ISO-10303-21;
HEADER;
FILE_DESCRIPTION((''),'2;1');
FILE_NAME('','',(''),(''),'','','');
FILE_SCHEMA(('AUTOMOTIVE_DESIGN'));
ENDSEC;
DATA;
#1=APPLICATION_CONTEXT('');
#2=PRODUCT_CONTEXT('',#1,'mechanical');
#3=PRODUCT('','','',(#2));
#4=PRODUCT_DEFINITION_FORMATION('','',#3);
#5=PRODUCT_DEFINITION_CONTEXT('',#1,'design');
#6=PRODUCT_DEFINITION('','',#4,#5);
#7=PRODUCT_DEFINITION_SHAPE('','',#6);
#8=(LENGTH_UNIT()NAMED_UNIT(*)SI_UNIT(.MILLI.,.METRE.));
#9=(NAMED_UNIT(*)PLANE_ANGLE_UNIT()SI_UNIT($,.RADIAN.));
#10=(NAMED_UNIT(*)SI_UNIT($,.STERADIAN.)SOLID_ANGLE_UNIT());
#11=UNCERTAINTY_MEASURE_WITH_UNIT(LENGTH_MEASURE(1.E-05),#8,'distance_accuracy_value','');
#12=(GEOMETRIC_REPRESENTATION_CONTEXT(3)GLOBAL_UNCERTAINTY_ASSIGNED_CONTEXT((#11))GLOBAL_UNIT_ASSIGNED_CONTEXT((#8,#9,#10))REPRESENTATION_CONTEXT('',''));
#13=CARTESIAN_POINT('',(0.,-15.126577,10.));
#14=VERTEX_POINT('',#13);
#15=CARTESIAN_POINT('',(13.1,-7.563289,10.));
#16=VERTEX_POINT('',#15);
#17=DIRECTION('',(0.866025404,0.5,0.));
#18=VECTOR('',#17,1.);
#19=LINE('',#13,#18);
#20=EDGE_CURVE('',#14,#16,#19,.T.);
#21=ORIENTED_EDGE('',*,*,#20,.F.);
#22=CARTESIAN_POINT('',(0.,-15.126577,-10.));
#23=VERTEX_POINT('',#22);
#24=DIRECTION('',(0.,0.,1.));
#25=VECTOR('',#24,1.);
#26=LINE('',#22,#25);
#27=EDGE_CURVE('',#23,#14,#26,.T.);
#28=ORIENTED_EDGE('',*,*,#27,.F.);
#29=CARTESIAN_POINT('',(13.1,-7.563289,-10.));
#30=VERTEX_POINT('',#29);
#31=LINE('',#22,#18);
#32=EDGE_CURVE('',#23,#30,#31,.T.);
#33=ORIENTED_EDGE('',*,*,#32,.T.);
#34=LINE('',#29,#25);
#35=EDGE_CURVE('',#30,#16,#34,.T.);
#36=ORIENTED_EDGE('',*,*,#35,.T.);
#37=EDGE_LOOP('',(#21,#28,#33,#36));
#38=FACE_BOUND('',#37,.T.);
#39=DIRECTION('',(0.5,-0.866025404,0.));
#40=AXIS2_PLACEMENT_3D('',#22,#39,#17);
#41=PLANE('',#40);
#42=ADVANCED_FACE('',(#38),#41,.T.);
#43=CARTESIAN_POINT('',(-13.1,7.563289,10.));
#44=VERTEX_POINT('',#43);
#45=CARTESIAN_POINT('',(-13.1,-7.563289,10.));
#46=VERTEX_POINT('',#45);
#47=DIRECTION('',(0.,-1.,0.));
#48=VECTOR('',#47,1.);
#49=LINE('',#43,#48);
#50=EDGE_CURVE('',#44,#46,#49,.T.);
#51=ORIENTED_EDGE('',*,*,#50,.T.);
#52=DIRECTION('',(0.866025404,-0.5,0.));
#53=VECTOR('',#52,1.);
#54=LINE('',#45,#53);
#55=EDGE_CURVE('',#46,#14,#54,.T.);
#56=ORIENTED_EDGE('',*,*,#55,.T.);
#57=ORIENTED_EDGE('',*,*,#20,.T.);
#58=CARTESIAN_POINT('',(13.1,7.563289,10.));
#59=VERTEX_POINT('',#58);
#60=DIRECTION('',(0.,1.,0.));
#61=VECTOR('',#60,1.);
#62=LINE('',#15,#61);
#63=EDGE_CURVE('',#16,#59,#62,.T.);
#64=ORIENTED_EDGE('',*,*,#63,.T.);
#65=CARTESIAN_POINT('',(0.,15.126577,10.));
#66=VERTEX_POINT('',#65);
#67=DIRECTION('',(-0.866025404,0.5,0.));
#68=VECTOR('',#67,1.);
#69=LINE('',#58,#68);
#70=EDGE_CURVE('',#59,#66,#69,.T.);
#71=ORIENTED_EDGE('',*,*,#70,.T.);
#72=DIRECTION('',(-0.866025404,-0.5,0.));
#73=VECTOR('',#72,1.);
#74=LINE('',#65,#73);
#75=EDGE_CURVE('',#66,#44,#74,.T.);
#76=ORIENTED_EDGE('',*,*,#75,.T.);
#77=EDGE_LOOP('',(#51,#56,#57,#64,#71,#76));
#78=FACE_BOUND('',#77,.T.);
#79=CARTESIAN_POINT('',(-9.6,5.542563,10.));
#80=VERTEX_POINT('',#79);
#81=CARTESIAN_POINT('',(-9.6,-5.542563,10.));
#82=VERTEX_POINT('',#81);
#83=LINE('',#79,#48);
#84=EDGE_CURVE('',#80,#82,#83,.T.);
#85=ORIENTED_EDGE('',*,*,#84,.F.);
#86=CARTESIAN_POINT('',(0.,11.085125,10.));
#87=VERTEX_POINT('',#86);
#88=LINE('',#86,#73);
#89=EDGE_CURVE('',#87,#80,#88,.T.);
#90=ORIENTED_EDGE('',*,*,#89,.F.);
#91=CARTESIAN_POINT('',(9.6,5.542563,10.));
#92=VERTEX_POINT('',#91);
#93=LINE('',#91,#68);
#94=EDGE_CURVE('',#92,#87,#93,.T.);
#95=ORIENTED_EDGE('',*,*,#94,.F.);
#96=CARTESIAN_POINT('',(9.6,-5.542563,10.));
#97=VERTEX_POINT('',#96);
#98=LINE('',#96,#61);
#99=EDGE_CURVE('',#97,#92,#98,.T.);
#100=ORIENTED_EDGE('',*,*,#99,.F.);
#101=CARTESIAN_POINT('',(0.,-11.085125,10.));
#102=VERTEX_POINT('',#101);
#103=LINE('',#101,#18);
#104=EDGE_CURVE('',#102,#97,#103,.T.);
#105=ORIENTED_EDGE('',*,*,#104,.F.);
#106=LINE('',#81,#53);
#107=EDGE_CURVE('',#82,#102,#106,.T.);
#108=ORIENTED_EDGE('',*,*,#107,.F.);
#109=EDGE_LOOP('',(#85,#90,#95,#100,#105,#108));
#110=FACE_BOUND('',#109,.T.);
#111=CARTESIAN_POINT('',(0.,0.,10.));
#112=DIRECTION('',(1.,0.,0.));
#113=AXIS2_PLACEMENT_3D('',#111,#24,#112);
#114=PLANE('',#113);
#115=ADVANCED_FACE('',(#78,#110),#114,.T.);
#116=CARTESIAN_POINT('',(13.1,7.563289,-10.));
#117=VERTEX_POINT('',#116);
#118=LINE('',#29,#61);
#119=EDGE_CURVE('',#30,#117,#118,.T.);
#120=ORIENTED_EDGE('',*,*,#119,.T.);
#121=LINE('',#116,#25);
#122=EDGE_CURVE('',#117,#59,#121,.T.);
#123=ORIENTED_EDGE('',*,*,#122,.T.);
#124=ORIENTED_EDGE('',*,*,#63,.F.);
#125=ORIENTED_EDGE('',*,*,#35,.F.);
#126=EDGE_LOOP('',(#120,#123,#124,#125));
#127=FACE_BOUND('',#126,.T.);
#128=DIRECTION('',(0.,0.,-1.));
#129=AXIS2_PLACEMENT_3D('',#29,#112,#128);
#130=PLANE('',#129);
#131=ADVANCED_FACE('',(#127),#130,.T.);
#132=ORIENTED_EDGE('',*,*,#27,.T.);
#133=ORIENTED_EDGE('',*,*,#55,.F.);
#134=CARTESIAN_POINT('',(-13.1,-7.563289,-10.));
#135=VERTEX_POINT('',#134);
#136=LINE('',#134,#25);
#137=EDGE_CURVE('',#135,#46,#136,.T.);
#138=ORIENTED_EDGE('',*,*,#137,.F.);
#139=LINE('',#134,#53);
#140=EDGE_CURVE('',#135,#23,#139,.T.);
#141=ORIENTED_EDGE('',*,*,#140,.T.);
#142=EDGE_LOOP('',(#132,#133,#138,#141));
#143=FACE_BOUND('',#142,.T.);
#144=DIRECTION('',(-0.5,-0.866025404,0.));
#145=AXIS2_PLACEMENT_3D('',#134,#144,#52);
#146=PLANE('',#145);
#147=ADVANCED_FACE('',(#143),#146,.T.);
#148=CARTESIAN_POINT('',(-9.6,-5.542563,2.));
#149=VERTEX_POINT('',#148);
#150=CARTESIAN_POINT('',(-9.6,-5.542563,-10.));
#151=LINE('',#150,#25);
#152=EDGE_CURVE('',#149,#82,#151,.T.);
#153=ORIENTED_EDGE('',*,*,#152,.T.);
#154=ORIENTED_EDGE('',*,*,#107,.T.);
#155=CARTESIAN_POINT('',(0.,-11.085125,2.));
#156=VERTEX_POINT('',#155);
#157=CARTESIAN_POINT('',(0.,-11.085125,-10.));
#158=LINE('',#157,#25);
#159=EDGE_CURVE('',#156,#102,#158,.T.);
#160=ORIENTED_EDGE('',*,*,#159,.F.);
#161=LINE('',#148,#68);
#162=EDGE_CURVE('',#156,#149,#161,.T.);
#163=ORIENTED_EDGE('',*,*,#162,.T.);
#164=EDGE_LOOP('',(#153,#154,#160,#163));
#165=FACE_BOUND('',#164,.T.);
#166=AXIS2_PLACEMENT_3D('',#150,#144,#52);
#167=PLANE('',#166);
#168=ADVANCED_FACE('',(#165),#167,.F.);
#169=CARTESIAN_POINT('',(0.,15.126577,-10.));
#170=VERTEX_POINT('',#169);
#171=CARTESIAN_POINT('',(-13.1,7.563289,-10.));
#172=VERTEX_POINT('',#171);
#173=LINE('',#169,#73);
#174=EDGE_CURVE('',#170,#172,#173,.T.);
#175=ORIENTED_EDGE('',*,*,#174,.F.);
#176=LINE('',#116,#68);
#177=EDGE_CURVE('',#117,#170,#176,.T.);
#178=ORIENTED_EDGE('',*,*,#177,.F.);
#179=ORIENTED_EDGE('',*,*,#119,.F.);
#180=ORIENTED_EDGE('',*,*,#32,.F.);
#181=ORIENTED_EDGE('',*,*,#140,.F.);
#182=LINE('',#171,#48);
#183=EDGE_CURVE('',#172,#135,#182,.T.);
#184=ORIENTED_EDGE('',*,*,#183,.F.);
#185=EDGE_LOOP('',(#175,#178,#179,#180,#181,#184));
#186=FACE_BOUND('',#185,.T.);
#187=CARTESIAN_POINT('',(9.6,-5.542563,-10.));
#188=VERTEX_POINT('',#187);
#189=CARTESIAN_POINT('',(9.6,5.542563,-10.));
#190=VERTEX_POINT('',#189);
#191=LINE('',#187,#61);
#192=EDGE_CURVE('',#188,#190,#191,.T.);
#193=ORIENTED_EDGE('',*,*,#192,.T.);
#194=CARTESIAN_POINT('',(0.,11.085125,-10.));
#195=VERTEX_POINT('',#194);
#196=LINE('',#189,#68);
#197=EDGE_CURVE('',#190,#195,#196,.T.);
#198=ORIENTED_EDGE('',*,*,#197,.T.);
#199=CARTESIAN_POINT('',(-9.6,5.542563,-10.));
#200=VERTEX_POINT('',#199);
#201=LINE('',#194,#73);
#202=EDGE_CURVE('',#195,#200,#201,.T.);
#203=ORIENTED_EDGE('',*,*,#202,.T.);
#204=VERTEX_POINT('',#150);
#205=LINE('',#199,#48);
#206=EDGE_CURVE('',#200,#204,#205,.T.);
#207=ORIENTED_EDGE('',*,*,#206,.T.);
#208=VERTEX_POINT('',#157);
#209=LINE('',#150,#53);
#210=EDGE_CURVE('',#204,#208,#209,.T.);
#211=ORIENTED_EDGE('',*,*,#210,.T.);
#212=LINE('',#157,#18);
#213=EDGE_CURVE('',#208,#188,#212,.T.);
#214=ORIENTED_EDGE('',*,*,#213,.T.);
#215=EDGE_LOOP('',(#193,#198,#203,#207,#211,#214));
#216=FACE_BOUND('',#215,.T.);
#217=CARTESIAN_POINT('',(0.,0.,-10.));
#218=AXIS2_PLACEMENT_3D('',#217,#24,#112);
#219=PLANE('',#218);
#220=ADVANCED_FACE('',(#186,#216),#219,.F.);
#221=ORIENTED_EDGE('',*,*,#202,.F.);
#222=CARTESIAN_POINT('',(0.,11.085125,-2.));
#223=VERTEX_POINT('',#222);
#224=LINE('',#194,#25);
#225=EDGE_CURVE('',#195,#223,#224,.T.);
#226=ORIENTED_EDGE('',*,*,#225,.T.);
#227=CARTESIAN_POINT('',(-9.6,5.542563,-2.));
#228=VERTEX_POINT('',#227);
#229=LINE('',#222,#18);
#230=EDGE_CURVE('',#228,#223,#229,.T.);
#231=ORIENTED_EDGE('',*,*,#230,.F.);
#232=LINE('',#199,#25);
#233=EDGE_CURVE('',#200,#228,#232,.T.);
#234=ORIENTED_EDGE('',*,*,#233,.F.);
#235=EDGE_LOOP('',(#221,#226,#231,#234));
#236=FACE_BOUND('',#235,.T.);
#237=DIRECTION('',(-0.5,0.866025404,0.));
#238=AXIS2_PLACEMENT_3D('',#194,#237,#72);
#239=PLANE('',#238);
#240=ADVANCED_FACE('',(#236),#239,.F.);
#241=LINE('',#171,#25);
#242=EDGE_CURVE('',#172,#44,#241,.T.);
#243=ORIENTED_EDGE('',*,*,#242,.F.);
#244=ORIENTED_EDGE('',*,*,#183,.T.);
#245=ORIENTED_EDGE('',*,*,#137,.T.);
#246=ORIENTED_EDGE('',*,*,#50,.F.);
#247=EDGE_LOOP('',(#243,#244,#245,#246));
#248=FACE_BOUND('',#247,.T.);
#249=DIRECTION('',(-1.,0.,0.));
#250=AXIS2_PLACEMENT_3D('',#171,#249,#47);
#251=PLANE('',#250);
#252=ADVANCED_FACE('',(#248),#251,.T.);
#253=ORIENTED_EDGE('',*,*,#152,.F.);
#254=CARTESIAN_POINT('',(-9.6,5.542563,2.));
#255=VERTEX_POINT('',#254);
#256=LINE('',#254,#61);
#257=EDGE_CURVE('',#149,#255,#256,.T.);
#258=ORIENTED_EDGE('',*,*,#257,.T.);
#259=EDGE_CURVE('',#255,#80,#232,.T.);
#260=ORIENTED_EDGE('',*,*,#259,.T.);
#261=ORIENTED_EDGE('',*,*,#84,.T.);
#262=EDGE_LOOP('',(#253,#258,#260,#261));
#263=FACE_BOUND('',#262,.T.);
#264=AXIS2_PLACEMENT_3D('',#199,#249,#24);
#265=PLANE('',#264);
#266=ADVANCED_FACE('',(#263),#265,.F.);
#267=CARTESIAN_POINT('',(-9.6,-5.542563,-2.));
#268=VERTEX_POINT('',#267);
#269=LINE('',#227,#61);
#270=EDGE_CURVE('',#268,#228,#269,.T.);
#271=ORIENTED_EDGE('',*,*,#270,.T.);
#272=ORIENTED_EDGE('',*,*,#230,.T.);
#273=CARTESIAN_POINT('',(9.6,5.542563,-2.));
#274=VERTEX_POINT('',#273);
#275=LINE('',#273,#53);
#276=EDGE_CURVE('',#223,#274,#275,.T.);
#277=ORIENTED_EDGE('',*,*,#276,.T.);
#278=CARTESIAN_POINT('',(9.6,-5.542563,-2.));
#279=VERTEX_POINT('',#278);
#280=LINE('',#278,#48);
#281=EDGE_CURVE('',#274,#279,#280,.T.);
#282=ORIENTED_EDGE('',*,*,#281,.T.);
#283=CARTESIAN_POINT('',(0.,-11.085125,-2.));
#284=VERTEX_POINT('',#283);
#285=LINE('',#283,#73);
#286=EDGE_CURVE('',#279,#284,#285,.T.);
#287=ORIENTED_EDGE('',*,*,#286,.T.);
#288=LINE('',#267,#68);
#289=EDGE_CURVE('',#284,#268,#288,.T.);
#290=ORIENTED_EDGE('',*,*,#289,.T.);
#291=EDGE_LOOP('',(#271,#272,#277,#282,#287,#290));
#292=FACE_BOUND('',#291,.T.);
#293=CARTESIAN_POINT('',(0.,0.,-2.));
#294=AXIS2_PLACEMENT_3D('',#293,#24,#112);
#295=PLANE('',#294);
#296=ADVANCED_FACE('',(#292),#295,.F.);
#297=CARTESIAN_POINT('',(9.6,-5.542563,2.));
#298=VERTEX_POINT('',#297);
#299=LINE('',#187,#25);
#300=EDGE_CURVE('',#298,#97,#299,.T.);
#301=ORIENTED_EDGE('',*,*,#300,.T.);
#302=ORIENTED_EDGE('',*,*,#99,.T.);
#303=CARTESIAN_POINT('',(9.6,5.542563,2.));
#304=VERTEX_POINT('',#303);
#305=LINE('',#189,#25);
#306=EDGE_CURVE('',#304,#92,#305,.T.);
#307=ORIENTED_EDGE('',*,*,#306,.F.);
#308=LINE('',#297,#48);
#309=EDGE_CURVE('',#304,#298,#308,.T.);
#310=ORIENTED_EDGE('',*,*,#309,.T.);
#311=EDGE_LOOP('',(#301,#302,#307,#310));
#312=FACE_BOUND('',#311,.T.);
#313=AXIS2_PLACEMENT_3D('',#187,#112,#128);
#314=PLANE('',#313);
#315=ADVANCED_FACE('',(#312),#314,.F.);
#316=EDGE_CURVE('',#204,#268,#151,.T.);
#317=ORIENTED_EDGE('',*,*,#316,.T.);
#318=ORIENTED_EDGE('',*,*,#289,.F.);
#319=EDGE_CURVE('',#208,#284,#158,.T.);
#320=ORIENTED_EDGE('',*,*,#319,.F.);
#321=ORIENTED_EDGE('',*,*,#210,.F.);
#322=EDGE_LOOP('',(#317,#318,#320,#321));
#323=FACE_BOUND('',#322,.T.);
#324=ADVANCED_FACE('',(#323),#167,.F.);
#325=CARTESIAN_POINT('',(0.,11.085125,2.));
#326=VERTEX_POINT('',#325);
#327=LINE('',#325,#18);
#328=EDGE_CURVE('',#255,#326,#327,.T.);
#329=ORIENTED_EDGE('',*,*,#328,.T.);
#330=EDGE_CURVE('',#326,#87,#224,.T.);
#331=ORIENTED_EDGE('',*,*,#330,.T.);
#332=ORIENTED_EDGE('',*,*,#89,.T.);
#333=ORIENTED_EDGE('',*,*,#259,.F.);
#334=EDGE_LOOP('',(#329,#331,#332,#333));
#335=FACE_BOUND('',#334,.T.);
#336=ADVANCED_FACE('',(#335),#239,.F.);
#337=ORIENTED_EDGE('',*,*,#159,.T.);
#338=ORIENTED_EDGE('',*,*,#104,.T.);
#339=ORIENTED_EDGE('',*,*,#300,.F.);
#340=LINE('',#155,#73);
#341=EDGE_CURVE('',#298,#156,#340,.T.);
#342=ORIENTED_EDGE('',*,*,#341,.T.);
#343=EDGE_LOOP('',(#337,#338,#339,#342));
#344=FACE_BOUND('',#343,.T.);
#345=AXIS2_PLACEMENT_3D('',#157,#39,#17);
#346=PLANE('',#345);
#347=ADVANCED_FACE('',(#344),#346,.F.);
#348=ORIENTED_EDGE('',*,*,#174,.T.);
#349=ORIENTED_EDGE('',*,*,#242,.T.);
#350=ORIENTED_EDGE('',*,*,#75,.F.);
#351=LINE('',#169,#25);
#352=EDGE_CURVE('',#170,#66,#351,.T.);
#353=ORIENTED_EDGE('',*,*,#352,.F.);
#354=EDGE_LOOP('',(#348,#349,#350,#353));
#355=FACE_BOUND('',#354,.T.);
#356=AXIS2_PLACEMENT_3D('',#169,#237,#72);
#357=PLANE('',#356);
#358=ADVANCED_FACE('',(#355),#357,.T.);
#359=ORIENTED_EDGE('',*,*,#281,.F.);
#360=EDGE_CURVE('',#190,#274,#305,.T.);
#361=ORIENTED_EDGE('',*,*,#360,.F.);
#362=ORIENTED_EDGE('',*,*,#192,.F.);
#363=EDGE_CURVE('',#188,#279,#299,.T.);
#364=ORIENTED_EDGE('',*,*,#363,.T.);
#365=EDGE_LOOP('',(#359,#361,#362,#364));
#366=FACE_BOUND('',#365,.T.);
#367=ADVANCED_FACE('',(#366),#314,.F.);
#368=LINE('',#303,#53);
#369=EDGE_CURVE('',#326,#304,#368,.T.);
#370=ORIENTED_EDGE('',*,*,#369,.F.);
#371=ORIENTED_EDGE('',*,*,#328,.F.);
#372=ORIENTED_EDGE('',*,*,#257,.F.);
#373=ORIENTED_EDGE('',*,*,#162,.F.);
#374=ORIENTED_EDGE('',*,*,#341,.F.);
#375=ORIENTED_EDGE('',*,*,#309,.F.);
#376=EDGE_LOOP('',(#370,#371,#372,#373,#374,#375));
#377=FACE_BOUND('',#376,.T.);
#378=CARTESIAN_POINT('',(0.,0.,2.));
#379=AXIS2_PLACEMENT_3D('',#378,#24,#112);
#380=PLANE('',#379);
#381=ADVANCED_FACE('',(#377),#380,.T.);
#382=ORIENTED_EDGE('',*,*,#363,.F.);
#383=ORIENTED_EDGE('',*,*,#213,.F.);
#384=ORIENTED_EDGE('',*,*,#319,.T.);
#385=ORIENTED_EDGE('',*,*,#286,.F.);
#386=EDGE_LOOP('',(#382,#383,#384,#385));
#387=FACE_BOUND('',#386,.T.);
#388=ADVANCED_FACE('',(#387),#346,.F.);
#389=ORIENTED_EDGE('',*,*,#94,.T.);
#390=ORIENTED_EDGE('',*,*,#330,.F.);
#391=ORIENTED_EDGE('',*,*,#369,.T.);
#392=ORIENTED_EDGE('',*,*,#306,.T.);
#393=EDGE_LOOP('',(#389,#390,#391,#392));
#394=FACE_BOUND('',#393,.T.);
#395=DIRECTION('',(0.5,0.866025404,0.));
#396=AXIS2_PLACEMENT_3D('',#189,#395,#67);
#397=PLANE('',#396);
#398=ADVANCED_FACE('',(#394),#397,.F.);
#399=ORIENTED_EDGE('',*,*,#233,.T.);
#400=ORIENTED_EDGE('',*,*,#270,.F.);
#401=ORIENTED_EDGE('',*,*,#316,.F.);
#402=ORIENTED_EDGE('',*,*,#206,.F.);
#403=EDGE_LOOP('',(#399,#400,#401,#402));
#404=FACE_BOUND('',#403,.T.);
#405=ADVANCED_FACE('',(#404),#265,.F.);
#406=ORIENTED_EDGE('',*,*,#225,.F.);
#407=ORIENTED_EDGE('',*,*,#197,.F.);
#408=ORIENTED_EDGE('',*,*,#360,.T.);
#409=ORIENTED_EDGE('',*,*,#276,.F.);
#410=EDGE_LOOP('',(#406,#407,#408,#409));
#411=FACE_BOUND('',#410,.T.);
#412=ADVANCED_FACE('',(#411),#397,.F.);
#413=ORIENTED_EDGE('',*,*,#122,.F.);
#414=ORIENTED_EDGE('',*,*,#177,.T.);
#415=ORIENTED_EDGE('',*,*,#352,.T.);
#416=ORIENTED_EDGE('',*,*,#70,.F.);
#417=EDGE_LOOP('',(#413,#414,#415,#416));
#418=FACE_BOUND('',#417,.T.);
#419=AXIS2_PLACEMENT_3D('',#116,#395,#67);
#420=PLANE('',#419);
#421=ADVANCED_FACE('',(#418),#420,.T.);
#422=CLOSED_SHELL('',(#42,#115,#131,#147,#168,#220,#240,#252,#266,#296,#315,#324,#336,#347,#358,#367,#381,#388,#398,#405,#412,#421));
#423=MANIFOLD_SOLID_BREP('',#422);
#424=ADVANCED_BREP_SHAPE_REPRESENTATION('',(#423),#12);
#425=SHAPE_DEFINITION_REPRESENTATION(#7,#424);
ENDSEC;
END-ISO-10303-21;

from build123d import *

# Parameters (mm, degrees)
BOSS_EXTRUDE1_DEPTH      = 10
BOSS_EXTRUDE1_DEPTH_BACK = 10
BOSS_EXTRUDE2_DEPTH      = 2
BOSS_EXTRUDE2_DEPTH_BACK = 2


with BuildPart() as part:
    # Sketch1 → Boss-Extrude1 (new, two sides: drawn at the far end of the back side and taken through both)
    with BuildSketch(Plane(origin=(0, 0, 0), x_dir=(0, 1, 0), z_dir=(0, 0, 1)).offset(-BOSS_EXTRUDE1_DEPTH_BACK)):
        Polygon((7.563288526, 13.1), (-7.563288526, 13.1), (-15.126577053, 0), (-7.563288526, -13.1), (7.563288526, -13.1), (15.126577053, 0), align=None)
        Polygon((5.542562584, 9.6), (-5.542562584, 9.6), (-11.085125168, 0), (-5.542562584, -9.6), (5.542562584, -9.6), (11.085125168, 0), align=None, mode=Mode.SUBTRACT)
    extrude(amount=BOSS_EXTRUDE1_DEPTH + BOSS_EXTRUDE1_DEPTH_BACK)

    # Sketch2 → Boss-Extrude2 (add, two sides: drawn at the far end of the back side and taken through both)
    with BuildSketch(Plane(origin=(0, 0, 0), x_dir=(0, 1, 0), z_dir=(0, 0, 1)).offset(-BOSS_EXTRUDE2_DEPTH_BACK)):
        Polygon((15.126577053, 0), (7.563288526, 13.1), (-7.563288526, 13.1), (-15.126577053, 0), (-7.563288526, -13.1), (7.563288526, -13.1), align=None)
    extrude(amount=BOSS_EXTRUDE2_DEPTH + BOSS_EXTRUDE2_DEPTH_BACK)


solid = part.part
